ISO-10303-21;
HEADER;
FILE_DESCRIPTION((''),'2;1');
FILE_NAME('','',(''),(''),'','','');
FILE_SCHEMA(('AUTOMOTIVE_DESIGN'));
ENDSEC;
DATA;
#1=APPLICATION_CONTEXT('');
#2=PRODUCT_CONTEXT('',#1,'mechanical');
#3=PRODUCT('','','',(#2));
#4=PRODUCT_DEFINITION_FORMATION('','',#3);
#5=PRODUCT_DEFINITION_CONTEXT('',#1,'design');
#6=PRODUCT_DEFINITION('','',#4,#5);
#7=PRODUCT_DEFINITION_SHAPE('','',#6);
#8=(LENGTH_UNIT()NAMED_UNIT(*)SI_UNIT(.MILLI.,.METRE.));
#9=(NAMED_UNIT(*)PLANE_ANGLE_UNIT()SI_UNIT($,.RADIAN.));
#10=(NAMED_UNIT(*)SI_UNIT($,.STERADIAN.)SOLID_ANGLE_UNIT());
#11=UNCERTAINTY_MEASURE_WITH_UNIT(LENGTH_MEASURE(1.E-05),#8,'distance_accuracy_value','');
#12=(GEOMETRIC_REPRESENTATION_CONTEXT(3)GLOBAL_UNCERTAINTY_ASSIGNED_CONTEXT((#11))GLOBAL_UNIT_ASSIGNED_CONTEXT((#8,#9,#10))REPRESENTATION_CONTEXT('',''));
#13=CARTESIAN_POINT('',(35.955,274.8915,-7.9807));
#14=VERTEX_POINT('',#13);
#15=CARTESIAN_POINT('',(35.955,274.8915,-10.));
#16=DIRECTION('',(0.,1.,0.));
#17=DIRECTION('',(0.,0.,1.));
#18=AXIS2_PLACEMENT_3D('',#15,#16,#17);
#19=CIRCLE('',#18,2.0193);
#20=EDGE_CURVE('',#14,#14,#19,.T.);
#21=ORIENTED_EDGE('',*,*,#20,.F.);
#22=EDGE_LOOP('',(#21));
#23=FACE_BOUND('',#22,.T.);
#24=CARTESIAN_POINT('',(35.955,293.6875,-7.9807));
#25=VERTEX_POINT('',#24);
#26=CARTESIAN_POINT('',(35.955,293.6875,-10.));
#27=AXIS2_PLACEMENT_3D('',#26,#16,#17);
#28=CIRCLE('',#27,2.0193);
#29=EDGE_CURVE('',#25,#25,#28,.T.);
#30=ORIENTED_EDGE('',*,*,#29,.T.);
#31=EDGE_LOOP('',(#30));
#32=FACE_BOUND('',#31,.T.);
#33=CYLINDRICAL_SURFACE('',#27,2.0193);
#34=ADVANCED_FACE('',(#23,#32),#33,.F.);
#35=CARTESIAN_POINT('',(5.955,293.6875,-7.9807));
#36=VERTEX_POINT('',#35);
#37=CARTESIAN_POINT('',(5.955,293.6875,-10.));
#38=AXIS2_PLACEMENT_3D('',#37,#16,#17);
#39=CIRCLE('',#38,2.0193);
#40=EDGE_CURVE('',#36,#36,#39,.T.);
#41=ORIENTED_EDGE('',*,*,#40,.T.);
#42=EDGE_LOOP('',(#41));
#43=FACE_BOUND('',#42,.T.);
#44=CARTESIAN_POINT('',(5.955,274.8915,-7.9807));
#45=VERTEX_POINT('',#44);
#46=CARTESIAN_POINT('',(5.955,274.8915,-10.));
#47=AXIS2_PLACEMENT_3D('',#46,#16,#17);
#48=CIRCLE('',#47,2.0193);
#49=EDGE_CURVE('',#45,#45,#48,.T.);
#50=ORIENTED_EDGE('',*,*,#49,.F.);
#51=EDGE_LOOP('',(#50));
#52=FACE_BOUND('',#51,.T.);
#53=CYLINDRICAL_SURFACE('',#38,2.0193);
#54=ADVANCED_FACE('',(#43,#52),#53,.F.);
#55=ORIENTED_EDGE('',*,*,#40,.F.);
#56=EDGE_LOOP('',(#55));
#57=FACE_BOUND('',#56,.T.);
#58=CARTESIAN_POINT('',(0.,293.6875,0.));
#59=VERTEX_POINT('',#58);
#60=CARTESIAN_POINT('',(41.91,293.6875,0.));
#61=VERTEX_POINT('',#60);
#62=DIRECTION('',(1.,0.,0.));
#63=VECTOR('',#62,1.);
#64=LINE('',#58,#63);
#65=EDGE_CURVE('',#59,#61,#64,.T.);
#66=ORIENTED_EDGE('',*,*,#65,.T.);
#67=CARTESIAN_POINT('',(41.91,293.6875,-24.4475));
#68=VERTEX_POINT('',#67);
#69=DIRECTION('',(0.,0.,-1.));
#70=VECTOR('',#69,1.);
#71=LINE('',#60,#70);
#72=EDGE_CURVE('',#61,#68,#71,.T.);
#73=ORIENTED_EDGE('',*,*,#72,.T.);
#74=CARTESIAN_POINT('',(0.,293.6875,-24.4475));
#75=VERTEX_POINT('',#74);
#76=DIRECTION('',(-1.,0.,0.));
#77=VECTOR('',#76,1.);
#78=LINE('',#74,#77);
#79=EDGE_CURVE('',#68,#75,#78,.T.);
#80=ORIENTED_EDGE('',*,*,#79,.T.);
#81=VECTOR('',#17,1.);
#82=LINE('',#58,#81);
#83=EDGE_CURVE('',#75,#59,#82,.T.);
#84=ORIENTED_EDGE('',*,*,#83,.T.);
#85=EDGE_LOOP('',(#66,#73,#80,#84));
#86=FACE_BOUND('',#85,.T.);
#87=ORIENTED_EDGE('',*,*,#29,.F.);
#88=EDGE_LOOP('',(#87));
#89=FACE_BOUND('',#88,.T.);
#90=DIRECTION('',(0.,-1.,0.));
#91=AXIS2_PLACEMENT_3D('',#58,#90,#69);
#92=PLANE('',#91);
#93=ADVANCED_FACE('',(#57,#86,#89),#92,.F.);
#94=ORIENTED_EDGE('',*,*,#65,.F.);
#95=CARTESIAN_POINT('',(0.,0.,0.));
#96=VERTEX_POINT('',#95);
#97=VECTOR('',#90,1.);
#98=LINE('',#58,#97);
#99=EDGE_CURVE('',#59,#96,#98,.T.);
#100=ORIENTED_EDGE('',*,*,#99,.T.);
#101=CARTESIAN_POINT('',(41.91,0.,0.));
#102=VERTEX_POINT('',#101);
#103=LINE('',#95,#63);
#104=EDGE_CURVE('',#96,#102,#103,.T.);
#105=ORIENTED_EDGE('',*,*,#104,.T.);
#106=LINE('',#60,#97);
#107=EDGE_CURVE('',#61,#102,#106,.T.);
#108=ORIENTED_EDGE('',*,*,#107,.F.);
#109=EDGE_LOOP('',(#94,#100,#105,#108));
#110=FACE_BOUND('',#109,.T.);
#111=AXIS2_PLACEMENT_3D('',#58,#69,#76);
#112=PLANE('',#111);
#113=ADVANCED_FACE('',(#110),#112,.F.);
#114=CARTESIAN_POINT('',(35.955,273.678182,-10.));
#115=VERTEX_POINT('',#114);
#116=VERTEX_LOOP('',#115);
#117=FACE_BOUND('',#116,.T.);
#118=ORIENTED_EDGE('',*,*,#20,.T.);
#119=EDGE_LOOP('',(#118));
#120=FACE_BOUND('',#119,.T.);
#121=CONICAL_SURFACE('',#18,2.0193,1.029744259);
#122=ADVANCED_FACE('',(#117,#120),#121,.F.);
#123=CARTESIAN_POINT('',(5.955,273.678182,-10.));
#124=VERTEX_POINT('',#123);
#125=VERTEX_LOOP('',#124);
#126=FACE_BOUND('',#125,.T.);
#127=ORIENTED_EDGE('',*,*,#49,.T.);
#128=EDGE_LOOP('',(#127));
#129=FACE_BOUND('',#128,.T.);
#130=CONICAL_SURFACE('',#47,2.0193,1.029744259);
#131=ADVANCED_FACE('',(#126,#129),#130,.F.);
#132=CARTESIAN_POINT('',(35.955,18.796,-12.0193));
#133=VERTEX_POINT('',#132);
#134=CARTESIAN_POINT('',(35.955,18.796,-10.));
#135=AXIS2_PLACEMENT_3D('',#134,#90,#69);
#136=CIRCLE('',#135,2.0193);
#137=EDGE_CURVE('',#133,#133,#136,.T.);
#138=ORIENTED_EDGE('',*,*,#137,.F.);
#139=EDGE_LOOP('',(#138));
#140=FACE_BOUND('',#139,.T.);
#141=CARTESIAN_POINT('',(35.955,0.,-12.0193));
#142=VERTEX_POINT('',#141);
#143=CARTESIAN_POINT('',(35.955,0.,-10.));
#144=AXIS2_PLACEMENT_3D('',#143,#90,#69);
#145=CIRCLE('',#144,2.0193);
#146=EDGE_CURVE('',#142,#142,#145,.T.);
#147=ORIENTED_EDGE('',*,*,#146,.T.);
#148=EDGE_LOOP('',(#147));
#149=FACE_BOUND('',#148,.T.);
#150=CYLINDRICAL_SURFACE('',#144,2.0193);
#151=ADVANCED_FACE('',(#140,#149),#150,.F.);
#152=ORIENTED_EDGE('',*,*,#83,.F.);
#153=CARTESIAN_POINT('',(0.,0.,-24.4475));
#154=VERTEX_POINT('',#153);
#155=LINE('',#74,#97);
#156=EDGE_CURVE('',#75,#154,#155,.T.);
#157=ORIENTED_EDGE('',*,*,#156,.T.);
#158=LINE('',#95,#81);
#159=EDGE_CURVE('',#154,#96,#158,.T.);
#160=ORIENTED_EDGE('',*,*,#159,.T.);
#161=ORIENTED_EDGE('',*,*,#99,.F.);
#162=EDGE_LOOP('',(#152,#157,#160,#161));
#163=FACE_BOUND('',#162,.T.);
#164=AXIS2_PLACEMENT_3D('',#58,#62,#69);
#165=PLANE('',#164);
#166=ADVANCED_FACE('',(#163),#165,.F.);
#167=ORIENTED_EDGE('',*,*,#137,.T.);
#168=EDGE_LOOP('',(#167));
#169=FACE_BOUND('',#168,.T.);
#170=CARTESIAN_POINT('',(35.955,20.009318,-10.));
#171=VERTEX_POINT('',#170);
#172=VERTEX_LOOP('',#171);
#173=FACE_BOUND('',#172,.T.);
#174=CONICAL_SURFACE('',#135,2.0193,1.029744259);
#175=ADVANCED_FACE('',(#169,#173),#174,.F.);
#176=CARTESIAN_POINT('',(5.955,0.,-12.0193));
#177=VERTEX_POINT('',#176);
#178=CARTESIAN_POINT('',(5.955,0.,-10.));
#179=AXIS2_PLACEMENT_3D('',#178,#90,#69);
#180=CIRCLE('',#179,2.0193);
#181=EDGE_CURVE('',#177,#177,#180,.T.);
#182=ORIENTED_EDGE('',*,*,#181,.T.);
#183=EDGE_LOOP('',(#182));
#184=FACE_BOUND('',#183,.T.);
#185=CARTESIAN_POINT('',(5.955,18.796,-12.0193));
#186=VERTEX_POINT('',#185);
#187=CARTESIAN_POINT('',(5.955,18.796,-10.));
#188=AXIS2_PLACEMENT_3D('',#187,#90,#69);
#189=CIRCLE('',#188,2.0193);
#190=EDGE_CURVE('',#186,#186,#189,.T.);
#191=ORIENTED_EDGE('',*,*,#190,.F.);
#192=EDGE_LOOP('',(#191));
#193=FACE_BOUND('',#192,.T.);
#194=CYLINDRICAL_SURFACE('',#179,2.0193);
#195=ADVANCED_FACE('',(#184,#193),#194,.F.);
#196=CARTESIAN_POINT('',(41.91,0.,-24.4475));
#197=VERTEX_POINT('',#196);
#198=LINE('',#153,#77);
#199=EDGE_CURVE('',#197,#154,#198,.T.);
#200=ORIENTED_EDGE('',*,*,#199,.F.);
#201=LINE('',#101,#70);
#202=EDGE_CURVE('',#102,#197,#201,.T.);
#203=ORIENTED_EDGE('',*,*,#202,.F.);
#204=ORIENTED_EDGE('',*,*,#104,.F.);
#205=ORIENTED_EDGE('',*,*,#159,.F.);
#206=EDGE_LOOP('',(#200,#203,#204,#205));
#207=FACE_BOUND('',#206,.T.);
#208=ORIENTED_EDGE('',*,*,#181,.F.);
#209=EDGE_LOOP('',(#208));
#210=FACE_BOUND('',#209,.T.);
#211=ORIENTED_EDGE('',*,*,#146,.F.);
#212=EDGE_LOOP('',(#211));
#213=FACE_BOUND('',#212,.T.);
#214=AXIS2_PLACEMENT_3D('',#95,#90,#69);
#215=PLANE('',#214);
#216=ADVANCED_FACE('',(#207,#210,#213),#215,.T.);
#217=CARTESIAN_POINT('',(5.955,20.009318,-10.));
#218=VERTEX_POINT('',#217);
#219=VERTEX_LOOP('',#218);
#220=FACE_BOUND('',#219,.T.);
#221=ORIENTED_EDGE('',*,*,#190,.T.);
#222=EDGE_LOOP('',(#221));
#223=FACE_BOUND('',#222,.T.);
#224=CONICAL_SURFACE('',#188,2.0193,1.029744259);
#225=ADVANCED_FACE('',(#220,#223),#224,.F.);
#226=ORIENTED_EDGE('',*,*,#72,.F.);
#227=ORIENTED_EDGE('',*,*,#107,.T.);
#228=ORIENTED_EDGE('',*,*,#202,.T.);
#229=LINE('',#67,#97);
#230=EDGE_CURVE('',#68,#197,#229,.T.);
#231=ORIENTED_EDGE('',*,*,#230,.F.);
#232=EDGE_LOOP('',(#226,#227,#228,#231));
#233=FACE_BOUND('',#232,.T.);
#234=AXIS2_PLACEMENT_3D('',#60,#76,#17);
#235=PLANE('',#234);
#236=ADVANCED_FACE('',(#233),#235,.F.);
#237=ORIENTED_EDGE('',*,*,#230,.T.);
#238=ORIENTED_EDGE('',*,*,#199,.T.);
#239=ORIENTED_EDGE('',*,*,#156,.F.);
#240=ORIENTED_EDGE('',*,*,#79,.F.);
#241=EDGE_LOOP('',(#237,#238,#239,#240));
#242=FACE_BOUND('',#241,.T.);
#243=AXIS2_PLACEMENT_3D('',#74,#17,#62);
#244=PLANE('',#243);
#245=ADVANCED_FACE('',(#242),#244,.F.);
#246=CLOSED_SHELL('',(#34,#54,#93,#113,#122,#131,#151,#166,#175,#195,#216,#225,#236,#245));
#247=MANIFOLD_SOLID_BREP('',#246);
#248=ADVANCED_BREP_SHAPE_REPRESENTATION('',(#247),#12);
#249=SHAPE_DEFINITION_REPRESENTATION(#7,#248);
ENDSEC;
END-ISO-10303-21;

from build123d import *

# Parameters (mm, degrees)
SKETCH1_W                  = 41.91
SKETCH1_H                  = 24.4475
BOSS_EXTRUDE1_DEPTH        = 293.6875
F_10_32_TAPPED_HOLE1_D     = 4.0386
F_10_32_TAPPED_HOLE1_DEPTH = 18.796
F_10_32_TAPPED_HOLE1_TIP   = 1.213317848
F_10_32_TAPPED_HOLE3_D     = 4.0386
F_10_32_TAPPED_HOLE3_DEPTH = 18.796
F_10_32_TAPPED_HOLE3_TIP   = 1.213317848


with BuildPart() as part:
    # Sketch1 → Boss-Extrude1 (new body)
    with BuildSketch(Plane(origin=(0, 0, 0), x_dir=(1, 0, 0), z_dir=(0, 1, 0))):
        with Locations((20.955, 12.22375)):
            Rectangle(SKETCH1_W, SKETCH1_H)
    extrude(amount=BOSS_EXTRUDE1_DEPTH)

    # #10-32 Tapped Hole1
    with Locations(Plane(origin=(0, 293.6875, 0), x_dir=(-1, 0, 0), z_dir=(0, 1, 0))):
        with Locations((-5.955, -10), (-35.955, -10)):
            Hole(F_10_32_TAPPED_HOLE1_D / 2, depth=F_10_32_TAPPED_HOLE1_DEPTH)
            with Locations((0, 0, -(F_10_32_TAPPED_HOLE1_DEPTH + F_10_32_TAPPED_HOLE1_TIP / 2))):  # 118° drill point
                Cone(0, F_10_32_TAPPED_HOLE1_D / 2, F_10_32_TAPPED_HOLE1_TIP, mode=Mode.SUBTRACT)

    # #10-32 Tapped Hole3
    with Locations(Plane(origin=(51.003414264, 0, 2.457986719), x_dir=(1, 0, 0), z_dir=(0, -1, 0))):
        with Locations((-15.048414264, -12.457986785), (-45.048414264, -12.457986785)):
            Hole(F_10_32_TAPPED_HOLE3_D / 2, depth=F_10_32_TAPPED_HOLE3_DEPTH)
            with Locations((0, 0, -(F_10_32_TAPPED_HOLE3_DEPTH + F_10_32_TAPPED_HOLE3_TIP / 2))):  # 118° drill point
                Cone(0, F_10_32_TAPPED_HOLE3_D / 2, F_10_32_TAPPED_HOLE3_TIP, mode=Mode.SUBTRACT)


solid = part.part
